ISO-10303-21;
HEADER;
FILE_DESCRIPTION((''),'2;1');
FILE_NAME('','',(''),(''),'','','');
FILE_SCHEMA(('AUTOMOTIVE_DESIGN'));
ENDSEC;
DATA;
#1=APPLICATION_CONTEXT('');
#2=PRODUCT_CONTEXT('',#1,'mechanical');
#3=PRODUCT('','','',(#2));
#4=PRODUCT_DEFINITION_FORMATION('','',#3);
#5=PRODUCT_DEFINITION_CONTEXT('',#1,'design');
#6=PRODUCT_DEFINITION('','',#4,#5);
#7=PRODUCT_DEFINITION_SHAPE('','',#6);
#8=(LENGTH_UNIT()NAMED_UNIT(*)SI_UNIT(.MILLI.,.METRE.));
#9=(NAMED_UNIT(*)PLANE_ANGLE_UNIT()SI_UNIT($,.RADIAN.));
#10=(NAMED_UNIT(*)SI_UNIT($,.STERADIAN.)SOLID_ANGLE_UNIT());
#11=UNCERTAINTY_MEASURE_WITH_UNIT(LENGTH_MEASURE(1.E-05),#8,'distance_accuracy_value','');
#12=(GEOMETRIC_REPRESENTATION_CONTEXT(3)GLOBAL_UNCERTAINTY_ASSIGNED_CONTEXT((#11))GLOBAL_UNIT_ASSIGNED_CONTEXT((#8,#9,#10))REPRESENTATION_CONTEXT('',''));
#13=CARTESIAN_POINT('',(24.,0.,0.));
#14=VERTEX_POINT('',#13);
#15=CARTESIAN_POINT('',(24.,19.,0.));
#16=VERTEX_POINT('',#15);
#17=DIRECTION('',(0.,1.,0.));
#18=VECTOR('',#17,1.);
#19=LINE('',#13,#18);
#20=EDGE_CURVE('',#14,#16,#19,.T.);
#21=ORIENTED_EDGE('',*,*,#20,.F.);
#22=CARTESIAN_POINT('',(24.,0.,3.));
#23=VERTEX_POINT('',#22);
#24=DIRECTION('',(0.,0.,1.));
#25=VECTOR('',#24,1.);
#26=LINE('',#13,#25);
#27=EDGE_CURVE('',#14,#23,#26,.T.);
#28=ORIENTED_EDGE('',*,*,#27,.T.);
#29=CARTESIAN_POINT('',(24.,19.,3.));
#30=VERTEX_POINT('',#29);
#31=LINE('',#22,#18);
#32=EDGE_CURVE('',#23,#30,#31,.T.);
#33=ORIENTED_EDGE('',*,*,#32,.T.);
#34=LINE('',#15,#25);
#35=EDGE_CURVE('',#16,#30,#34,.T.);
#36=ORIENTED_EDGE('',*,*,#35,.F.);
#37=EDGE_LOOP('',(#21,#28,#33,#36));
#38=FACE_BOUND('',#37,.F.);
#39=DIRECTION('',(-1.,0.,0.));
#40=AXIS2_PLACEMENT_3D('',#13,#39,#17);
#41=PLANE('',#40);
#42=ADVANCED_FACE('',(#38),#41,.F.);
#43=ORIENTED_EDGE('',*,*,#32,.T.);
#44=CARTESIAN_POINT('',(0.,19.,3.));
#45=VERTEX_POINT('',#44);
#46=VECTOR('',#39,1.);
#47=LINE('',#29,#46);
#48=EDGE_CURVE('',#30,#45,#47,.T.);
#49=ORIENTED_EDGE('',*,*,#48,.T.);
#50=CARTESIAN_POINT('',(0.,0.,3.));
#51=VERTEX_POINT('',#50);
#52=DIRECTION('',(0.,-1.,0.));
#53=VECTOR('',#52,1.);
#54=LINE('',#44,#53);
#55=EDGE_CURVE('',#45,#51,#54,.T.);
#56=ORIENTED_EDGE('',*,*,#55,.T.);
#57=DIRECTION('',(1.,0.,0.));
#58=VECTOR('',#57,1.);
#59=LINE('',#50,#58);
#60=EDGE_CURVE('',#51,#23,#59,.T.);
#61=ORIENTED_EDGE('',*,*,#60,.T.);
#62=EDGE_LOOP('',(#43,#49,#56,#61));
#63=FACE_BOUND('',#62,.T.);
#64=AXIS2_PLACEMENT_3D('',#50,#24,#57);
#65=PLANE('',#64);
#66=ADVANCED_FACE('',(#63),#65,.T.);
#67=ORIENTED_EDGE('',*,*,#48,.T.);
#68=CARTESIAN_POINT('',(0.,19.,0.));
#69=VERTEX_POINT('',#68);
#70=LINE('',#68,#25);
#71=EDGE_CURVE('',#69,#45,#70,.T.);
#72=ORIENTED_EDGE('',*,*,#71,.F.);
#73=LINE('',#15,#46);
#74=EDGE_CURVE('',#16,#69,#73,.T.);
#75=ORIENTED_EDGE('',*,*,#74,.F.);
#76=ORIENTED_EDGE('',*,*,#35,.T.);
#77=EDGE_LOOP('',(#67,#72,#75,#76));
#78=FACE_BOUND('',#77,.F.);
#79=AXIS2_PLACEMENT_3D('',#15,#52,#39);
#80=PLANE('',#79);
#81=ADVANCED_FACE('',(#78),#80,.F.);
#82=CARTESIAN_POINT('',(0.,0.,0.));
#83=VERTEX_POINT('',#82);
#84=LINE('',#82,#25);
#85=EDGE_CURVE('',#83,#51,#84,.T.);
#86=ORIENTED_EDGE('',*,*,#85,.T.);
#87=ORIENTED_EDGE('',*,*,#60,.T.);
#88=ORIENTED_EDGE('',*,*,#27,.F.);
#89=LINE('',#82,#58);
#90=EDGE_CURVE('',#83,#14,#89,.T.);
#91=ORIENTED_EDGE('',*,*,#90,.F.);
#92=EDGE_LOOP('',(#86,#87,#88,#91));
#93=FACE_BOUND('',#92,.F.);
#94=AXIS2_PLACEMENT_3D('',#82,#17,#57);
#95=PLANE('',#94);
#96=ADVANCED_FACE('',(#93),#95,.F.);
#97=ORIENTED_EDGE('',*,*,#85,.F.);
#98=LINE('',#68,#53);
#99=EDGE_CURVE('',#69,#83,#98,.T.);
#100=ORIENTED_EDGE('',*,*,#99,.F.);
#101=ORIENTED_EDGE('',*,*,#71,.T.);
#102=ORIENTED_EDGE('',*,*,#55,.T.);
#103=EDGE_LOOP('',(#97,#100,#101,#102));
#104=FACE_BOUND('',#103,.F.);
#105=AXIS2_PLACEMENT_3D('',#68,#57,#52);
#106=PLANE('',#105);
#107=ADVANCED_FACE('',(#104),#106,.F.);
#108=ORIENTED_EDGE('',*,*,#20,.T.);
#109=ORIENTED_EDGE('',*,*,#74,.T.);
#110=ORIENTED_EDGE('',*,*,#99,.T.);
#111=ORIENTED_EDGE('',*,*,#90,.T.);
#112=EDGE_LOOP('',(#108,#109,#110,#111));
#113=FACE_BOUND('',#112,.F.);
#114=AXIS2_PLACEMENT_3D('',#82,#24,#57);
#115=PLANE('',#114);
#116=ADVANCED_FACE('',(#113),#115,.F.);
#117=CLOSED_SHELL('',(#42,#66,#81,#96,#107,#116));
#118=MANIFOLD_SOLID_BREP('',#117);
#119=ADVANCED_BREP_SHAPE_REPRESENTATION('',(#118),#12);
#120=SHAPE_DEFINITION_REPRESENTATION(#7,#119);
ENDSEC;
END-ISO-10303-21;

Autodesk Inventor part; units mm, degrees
ref_plane "YZ Plane" through (0, 0, 0) normal (1, 0, 0) x (0, 1, 0)
ref_plane "XZ Plane" through (0, 0, 0) normal (0, 1, 0) x (-1, 0, 0)
ref_plane "XY Plane" through (0, 0, 0) normal (0, 0, 1) x (1, 0, 0)
sketch "Sketch1" plane through (0, 0, 0) normal (0, 0, 1) x (1, 0, 0)
  line L0 (0, 0) -> (24, 0)
  line L1 (24, 0) -> (24, 19)
  line L2 (24, 19) -> (0, 19)
  line L3 (0, 19) -> (0, 0)
  dimension "d0" = 24
  dimension "d1" = 19
extrude "Extrusion1" add sketch "Sketch1" along normal blind 3
sketch "Sketch2" plane through (0, 0, 3) normal (0, 0, 1) x (1, 0, 0)
  line L0 (0, 19) -> (26, 19)
  line L1 (26, 19) -> (26, 21)
  line L2 (26, 21) -> (0, 21)
  line L3 (0, 21) -> (0, 19)
  line L4 (24, 19) -> (26, 19)
  line L5 (26, 19) -> (26, -2)
  line L6 (26, -2) -> (24, -2)
  line L7 (24, -2) -> (24, 19)
  line L8 (24, 0) -> (-2, 0)
  line L9 (-2, 0) -> (-2, -2)
  line L10 (-2, -2) -> (24, -2)
  line L11 (24, -2) -> (24, 0)
  line L12 (0, 19) -> (26, 19)
  line L13 (26, 19) -> (26, 21)
  line L14 (26, 21) -> (0, 21)
  line L15 (0, 21) -> (0, 19)
  line L16 (0, 19) -> (26, 19)
  line L17 (26, 19) -> (26, 21)
  line L18 (26, 21) -> (0, 21)
  line L19 (0, 21) -> (0, 19)
  line L20 (0, 19) -> (26, 19)
  line L21 (26, 19) -> (26, 21)
  line L22 (26, 21) -> (0, 21)
  line L23 (0, 21) -> (0, 19)
  line L24 (0, 0) -> (-2, 0)
  line L25 (-2, 0) -> (-2, 21)
  line L26 (-2, 21) -> (0, 21)
  line L27 (0, 21) -> (0, 0)
  dimension "d4" = 26
  dimension "d5" = 2
  dimension "d6" = 2
  dimension "d7" = 21
  dimension "d8" = 26
  dimension "d9" = 26
  dimension "d10" = 2
  dimension "d11" = 26
  dimension "d12" = 2
  dimension "d13" = 26
  dimension "d14" = 2
properties part number "Pressure Regulator switch"
